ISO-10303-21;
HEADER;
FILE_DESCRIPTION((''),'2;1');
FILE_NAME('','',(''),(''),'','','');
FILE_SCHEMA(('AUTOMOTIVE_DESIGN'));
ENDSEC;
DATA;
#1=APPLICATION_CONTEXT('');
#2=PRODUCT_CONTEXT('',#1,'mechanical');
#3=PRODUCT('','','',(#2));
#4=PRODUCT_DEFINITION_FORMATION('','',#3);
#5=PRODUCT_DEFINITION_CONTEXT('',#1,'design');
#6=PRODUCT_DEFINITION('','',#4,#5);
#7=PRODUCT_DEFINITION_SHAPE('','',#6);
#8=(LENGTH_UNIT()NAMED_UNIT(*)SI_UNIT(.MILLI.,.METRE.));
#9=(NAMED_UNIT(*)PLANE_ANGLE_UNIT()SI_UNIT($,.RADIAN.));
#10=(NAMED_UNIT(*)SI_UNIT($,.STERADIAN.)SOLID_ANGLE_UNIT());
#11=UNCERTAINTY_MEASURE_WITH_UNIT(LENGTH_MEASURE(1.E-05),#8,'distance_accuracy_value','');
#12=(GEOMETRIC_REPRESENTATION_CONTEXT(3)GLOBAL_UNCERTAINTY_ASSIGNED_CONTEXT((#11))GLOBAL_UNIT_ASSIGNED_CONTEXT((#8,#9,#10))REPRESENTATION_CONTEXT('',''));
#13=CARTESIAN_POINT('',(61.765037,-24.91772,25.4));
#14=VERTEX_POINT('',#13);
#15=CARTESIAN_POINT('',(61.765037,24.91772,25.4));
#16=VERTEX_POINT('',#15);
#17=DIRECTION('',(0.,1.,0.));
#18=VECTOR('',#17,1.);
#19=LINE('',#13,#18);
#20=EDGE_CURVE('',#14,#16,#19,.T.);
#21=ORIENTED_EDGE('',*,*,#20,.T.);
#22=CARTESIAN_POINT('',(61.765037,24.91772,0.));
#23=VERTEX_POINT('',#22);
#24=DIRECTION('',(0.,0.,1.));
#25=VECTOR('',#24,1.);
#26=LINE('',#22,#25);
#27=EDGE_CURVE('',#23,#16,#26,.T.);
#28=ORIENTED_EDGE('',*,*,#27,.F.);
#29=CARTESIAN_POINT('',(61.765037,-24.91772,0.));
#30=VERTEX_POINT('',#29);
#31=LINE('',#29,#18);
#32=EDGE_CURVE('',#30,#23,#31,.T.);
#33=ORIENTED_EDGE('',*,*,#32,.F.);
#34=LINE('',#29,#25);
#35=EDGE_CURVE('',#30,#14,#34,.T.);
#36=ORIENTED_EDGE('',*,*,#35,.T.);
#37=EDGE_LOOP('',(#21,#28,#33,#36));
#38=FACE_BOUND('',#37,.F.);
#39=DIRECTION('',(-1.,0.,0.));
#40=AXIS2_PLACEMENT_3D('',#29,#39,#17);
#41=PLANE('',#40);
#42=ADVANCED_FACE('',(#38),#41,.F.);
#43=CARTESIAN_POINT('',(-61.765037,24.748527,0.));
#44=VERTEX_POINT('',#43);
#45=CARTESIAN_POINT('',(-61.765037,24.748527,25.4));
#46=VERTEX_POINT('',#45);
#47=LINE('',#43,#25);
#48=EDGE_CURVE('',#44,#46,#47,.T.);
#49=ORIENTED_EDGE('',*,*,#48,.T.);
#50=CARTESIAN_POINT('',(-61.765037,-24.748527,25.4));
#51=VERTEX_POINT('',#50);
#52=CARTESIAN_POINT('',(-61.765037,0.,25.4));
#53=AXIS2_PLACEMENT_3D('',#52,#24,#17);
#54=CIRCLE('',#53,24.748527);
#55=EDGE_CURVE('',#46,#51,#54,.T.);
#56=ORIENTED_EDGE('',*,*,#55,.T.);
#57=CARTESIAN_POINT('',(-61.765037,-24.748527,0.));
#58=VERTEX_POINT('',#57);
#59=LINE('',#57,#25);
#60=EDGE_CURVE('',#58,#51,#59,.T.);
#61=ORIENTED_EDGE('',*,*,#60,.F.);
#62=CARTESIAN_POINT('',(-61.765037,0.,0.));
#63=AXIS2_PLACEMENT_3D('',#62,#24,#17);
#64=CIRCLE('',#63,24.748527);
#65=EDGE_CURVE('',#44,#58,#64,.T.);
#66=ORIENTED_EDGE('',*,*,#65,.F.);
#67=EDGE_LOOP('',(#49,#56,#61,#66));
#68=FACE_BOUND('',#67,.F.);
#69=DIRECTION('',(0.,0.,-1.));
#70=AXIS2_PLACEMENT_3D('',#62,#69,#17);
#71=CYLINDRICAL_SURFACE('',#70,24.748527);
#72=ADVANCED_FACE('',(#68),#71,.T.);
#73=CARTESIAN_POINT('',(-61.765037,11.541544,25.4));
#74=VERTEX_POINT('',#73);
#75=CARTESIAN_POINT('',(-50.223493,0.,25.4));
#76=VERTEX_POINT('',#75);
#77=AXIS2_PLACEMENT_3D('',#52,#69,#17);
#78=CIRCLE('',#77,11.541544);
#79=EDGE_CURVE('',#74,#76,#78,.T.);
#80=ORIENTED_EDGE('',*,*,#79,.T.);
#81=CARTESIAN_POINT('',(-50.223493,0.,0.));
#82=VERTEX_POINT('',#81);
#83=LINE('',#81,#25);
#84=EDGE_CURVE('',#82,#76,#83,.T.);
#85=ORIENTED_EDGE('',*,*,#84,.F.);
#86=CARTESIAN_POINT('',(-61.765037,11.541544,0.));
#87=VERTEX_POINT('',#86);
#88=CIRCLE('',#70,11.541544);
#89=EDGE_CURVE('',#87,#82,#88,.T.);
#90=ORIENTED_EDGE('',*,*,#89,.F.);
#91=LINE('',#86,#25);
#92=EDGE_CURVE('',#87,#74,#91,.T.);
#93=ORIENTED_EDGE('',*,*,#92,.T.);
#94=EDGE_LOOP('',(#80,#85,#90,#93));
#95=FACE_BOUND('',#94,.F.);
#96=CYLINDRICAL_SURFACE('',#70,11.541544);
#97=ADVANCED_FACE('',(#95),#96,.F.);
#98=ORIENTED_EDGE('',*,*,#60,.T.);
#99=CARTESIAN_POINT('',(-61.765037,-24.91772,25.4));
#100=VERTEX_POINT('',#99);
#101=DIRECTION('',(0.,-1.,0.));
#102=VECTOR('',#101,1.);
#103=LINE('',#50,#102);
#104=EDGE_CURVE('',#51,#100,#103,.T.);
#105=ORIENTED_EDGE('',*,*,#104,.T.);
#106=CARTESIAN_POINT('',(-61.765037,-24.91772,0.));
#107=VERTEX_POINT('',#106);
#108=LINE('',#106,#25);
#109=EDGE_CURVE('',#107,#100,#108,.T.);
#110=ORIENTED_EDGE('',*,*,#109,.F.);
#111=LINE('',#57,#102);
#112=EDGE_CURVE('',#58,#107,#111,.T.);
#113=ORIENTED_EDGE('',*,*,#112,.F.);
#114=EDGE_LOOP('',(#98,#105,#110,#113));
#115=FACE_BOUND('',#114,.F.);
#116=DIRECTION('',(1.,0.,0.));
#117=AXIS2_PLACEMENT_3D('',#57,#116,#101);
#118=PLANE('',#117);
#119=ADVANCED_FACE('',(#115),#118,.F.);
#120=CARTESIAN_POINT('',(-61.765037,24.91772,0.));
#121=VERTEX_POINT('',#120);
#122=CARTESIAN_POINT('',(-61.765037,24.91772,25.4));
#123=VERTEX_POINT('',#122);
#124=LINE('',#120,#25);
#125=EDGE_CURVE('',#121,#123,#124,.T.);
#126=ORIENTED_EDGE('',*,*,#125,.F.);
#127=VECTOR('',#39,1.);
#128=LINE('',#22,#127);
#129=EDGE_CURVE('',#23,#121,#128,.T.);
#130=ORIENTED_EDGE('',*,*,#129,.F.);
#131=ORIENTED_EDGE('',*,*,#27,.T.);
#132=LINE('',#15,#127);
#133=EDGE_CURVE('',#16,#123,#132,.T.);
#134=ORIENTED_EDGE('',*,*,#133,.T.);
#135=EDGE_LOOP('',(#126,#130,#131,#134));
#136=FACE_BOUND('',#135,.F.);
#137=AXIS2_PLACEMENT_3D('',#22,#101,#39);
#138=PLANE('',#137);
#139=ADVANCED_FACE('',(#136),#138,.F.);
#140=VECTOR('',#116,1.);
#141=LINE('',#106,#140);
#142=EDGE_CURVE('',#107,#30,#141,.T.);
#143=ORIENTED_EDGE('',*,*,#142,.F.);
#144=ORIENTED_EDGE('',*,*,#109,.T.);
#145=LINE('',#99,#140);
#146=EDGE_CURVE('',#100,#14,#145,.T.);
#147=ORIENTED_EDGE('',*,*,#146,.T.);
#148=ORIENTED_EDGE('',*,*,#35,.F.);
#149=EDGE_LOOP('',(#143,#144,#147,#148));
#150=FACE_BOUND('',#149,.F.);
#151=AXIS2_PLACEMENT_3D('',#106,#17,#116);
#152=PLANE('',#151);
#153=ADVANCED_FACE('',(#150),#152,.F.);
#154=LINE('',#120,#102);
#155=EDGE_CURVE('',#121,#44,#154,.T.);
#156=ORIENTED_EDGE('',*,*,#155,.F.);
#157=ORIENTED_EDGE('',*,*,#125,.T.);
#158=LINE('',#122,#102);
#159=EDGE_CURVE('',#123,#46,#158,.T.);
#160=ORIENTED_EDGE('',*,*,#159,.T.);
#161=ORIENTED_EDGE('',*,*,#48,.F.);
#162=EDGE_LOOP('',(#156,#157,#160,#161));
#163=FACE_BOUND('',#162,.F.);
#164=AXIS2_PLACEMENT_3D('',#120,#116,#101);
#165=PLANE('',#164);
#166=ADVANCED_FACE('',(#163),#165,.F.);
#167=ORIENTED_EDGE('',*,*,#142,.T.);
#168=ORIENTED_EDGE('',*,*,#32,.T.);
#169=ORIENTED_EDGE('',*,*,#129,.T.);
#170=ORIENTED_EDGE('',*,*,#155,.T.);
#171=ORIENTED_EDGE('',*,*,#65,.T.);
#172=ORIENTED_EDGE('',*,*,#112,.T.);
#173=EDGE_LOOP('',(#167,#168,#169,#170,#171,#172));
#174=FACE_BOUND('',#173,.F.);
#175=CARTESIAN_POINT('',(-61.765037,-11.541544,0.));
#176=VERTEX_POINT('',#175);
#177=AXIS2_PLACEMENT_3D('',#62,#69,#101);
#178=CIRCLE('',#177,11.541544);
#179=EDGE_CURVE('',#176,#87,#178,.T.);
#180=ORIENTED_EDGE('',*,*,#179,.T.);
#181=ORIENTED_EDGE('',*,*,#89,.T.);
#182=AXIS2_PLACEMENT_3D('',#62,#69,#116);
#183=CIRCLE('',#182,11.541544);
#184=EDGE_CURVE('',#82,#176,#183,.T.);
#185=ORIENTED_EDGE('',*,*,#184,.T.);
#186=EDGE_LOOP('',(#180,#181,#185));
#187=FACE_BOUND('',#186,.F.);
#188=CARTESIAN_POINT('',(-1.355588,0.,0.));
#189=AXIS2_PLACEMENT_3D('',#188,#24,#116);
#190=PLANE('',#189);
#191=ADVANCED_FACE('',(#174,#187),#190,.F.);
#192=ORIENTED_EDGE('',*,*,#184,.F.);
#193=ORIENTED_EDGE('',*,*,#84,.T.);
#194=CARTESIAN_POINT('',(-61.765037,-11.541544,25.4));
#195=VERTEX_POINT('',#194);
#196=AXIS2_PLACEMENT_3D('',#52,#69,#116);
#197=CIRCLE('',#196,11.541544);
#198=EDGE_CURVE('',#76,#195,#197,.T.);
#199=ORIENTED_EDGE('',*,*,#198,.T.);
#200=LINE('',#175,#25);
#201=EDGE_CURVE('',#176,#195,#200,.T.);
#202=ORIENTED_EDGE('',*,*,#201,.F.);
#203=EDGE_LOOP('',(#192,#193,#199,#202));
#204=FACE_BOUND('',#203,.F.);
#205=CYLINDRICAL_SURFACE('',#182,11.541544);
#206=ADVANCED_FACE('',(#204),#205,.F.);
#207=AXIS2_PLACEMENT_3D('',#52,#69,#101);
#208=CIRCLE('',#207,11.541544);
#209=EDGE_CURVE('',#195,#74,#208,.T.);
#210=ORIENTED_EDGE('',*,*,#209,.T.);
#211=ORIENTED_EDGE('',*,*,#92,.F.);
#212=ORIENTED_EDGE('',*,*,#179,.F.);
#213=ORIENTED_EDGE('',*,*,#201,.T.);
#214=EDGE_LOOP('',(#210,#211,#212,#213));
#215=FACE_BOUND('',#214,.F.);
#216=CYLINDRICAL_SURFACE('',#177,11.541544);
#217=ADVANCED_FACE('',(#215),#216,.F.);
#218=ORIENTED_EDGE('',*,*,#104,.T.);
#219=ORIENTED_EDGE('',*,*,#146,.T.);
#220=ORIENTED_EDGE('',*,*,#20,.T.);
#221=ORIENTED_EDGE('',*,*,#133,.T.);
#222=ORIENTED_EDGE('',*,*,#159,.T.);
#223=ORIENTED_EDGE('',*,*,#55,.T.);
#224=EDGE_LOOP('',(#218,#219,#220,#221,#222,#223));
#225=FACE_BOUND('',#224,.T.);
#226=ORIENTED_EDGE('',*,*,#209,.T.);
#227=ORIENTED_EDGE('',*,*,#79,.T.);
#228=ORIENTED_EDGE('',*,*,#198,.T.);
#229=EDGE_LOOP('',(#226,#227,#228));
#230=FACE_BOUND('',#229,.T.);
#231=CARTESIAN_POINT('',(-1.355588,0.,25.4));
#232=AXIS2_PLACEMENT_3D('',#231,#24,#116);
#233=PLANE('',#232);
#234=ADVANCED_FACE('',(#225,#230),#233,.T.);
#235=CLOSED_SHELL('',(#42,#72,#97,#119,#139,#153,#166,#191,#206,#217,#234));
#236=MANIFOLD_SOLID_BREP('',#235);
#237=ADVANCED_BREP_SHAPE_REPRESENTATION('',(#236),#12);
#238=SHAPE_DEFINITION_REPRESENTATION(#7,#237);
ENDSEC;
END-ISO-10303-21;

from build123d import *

# Parameters (mm, degrees)
F1_DEPTH = 25.4


with BuildPart() as f1:
    # F0 (on Top) → F1 (new body)
    with BuildSketch(Plane.XY):
        with BuildLine():
            Line((-61.765037477, -24.7485272537), (-61.765037477, -24.9177198857))
            Line((-61.765037477, -24.9177198857), (61.765037477, -24.9177198857))
            Line((61.765037477, -24.9177198857), (61.765037477, 24.9177198857))
            Line((61.765037477, 24.9177198857), (-61.765037477, 24.9177198857))
            Line((-61.765037477, 24.9177198857), (-61.765037477, 24.7485272537))
            ThreePointArc((-61.765037477, 24.7485272537), (-44.2651860316, 17.4998514455), (-37.0165102233, 0))
            ThreePointArc((-37.0165102233, 0), (-44.2651860316, -17.4998514455), (-61.765037477, -24.7485272537))
        make_face()
        with BuildLine():
            ThreePointArc((-61.765037477, 24.7485272537), (-86.5135647307, 0), (-61.765037477, -24.7485272537))
            Line((-61.765037477, -24.7485272537), (-61.765037477, -11.5415442381))
            ThreePointArc((-61.765037477, -11.5415442381), (-73.3065817151, 0), (-61.765037477, 11.5415442381))
            Line((-61.765037477, 11.5415442381), (-61.765037477, 24.7485272537))
        make_face()
        with BuildLine():
            Line((-61.765037477, -11.5415442381), (-61.765037477, -24.7485272537))
            ThreePointArc((-61.765037477, -24.7485272537), (-44.2651860316, -17.4998514455), (-37.0165102233, 0))
            ThreePointArc((-37.0165102233, 0), (-44.2651860316, 17.4998514455), (-61.765037477, 24.7485272537))
            Line((-61.765037477, 24.7485272537), (-61.765037477, 11.5415442381))
            ThreePointArc((-61.765037477, 11.5415442381), (-53.6039332809, 8.1611041961), (-50.2234932389, 0))
            ThreePointArc((-50.2234932389, 0), (-53.6039332809, -8.1611041961), (-61.765037477, -11.5415442381))
        make_face()
    extrude(amount=F1_DEPTH)


solid = f1.part
